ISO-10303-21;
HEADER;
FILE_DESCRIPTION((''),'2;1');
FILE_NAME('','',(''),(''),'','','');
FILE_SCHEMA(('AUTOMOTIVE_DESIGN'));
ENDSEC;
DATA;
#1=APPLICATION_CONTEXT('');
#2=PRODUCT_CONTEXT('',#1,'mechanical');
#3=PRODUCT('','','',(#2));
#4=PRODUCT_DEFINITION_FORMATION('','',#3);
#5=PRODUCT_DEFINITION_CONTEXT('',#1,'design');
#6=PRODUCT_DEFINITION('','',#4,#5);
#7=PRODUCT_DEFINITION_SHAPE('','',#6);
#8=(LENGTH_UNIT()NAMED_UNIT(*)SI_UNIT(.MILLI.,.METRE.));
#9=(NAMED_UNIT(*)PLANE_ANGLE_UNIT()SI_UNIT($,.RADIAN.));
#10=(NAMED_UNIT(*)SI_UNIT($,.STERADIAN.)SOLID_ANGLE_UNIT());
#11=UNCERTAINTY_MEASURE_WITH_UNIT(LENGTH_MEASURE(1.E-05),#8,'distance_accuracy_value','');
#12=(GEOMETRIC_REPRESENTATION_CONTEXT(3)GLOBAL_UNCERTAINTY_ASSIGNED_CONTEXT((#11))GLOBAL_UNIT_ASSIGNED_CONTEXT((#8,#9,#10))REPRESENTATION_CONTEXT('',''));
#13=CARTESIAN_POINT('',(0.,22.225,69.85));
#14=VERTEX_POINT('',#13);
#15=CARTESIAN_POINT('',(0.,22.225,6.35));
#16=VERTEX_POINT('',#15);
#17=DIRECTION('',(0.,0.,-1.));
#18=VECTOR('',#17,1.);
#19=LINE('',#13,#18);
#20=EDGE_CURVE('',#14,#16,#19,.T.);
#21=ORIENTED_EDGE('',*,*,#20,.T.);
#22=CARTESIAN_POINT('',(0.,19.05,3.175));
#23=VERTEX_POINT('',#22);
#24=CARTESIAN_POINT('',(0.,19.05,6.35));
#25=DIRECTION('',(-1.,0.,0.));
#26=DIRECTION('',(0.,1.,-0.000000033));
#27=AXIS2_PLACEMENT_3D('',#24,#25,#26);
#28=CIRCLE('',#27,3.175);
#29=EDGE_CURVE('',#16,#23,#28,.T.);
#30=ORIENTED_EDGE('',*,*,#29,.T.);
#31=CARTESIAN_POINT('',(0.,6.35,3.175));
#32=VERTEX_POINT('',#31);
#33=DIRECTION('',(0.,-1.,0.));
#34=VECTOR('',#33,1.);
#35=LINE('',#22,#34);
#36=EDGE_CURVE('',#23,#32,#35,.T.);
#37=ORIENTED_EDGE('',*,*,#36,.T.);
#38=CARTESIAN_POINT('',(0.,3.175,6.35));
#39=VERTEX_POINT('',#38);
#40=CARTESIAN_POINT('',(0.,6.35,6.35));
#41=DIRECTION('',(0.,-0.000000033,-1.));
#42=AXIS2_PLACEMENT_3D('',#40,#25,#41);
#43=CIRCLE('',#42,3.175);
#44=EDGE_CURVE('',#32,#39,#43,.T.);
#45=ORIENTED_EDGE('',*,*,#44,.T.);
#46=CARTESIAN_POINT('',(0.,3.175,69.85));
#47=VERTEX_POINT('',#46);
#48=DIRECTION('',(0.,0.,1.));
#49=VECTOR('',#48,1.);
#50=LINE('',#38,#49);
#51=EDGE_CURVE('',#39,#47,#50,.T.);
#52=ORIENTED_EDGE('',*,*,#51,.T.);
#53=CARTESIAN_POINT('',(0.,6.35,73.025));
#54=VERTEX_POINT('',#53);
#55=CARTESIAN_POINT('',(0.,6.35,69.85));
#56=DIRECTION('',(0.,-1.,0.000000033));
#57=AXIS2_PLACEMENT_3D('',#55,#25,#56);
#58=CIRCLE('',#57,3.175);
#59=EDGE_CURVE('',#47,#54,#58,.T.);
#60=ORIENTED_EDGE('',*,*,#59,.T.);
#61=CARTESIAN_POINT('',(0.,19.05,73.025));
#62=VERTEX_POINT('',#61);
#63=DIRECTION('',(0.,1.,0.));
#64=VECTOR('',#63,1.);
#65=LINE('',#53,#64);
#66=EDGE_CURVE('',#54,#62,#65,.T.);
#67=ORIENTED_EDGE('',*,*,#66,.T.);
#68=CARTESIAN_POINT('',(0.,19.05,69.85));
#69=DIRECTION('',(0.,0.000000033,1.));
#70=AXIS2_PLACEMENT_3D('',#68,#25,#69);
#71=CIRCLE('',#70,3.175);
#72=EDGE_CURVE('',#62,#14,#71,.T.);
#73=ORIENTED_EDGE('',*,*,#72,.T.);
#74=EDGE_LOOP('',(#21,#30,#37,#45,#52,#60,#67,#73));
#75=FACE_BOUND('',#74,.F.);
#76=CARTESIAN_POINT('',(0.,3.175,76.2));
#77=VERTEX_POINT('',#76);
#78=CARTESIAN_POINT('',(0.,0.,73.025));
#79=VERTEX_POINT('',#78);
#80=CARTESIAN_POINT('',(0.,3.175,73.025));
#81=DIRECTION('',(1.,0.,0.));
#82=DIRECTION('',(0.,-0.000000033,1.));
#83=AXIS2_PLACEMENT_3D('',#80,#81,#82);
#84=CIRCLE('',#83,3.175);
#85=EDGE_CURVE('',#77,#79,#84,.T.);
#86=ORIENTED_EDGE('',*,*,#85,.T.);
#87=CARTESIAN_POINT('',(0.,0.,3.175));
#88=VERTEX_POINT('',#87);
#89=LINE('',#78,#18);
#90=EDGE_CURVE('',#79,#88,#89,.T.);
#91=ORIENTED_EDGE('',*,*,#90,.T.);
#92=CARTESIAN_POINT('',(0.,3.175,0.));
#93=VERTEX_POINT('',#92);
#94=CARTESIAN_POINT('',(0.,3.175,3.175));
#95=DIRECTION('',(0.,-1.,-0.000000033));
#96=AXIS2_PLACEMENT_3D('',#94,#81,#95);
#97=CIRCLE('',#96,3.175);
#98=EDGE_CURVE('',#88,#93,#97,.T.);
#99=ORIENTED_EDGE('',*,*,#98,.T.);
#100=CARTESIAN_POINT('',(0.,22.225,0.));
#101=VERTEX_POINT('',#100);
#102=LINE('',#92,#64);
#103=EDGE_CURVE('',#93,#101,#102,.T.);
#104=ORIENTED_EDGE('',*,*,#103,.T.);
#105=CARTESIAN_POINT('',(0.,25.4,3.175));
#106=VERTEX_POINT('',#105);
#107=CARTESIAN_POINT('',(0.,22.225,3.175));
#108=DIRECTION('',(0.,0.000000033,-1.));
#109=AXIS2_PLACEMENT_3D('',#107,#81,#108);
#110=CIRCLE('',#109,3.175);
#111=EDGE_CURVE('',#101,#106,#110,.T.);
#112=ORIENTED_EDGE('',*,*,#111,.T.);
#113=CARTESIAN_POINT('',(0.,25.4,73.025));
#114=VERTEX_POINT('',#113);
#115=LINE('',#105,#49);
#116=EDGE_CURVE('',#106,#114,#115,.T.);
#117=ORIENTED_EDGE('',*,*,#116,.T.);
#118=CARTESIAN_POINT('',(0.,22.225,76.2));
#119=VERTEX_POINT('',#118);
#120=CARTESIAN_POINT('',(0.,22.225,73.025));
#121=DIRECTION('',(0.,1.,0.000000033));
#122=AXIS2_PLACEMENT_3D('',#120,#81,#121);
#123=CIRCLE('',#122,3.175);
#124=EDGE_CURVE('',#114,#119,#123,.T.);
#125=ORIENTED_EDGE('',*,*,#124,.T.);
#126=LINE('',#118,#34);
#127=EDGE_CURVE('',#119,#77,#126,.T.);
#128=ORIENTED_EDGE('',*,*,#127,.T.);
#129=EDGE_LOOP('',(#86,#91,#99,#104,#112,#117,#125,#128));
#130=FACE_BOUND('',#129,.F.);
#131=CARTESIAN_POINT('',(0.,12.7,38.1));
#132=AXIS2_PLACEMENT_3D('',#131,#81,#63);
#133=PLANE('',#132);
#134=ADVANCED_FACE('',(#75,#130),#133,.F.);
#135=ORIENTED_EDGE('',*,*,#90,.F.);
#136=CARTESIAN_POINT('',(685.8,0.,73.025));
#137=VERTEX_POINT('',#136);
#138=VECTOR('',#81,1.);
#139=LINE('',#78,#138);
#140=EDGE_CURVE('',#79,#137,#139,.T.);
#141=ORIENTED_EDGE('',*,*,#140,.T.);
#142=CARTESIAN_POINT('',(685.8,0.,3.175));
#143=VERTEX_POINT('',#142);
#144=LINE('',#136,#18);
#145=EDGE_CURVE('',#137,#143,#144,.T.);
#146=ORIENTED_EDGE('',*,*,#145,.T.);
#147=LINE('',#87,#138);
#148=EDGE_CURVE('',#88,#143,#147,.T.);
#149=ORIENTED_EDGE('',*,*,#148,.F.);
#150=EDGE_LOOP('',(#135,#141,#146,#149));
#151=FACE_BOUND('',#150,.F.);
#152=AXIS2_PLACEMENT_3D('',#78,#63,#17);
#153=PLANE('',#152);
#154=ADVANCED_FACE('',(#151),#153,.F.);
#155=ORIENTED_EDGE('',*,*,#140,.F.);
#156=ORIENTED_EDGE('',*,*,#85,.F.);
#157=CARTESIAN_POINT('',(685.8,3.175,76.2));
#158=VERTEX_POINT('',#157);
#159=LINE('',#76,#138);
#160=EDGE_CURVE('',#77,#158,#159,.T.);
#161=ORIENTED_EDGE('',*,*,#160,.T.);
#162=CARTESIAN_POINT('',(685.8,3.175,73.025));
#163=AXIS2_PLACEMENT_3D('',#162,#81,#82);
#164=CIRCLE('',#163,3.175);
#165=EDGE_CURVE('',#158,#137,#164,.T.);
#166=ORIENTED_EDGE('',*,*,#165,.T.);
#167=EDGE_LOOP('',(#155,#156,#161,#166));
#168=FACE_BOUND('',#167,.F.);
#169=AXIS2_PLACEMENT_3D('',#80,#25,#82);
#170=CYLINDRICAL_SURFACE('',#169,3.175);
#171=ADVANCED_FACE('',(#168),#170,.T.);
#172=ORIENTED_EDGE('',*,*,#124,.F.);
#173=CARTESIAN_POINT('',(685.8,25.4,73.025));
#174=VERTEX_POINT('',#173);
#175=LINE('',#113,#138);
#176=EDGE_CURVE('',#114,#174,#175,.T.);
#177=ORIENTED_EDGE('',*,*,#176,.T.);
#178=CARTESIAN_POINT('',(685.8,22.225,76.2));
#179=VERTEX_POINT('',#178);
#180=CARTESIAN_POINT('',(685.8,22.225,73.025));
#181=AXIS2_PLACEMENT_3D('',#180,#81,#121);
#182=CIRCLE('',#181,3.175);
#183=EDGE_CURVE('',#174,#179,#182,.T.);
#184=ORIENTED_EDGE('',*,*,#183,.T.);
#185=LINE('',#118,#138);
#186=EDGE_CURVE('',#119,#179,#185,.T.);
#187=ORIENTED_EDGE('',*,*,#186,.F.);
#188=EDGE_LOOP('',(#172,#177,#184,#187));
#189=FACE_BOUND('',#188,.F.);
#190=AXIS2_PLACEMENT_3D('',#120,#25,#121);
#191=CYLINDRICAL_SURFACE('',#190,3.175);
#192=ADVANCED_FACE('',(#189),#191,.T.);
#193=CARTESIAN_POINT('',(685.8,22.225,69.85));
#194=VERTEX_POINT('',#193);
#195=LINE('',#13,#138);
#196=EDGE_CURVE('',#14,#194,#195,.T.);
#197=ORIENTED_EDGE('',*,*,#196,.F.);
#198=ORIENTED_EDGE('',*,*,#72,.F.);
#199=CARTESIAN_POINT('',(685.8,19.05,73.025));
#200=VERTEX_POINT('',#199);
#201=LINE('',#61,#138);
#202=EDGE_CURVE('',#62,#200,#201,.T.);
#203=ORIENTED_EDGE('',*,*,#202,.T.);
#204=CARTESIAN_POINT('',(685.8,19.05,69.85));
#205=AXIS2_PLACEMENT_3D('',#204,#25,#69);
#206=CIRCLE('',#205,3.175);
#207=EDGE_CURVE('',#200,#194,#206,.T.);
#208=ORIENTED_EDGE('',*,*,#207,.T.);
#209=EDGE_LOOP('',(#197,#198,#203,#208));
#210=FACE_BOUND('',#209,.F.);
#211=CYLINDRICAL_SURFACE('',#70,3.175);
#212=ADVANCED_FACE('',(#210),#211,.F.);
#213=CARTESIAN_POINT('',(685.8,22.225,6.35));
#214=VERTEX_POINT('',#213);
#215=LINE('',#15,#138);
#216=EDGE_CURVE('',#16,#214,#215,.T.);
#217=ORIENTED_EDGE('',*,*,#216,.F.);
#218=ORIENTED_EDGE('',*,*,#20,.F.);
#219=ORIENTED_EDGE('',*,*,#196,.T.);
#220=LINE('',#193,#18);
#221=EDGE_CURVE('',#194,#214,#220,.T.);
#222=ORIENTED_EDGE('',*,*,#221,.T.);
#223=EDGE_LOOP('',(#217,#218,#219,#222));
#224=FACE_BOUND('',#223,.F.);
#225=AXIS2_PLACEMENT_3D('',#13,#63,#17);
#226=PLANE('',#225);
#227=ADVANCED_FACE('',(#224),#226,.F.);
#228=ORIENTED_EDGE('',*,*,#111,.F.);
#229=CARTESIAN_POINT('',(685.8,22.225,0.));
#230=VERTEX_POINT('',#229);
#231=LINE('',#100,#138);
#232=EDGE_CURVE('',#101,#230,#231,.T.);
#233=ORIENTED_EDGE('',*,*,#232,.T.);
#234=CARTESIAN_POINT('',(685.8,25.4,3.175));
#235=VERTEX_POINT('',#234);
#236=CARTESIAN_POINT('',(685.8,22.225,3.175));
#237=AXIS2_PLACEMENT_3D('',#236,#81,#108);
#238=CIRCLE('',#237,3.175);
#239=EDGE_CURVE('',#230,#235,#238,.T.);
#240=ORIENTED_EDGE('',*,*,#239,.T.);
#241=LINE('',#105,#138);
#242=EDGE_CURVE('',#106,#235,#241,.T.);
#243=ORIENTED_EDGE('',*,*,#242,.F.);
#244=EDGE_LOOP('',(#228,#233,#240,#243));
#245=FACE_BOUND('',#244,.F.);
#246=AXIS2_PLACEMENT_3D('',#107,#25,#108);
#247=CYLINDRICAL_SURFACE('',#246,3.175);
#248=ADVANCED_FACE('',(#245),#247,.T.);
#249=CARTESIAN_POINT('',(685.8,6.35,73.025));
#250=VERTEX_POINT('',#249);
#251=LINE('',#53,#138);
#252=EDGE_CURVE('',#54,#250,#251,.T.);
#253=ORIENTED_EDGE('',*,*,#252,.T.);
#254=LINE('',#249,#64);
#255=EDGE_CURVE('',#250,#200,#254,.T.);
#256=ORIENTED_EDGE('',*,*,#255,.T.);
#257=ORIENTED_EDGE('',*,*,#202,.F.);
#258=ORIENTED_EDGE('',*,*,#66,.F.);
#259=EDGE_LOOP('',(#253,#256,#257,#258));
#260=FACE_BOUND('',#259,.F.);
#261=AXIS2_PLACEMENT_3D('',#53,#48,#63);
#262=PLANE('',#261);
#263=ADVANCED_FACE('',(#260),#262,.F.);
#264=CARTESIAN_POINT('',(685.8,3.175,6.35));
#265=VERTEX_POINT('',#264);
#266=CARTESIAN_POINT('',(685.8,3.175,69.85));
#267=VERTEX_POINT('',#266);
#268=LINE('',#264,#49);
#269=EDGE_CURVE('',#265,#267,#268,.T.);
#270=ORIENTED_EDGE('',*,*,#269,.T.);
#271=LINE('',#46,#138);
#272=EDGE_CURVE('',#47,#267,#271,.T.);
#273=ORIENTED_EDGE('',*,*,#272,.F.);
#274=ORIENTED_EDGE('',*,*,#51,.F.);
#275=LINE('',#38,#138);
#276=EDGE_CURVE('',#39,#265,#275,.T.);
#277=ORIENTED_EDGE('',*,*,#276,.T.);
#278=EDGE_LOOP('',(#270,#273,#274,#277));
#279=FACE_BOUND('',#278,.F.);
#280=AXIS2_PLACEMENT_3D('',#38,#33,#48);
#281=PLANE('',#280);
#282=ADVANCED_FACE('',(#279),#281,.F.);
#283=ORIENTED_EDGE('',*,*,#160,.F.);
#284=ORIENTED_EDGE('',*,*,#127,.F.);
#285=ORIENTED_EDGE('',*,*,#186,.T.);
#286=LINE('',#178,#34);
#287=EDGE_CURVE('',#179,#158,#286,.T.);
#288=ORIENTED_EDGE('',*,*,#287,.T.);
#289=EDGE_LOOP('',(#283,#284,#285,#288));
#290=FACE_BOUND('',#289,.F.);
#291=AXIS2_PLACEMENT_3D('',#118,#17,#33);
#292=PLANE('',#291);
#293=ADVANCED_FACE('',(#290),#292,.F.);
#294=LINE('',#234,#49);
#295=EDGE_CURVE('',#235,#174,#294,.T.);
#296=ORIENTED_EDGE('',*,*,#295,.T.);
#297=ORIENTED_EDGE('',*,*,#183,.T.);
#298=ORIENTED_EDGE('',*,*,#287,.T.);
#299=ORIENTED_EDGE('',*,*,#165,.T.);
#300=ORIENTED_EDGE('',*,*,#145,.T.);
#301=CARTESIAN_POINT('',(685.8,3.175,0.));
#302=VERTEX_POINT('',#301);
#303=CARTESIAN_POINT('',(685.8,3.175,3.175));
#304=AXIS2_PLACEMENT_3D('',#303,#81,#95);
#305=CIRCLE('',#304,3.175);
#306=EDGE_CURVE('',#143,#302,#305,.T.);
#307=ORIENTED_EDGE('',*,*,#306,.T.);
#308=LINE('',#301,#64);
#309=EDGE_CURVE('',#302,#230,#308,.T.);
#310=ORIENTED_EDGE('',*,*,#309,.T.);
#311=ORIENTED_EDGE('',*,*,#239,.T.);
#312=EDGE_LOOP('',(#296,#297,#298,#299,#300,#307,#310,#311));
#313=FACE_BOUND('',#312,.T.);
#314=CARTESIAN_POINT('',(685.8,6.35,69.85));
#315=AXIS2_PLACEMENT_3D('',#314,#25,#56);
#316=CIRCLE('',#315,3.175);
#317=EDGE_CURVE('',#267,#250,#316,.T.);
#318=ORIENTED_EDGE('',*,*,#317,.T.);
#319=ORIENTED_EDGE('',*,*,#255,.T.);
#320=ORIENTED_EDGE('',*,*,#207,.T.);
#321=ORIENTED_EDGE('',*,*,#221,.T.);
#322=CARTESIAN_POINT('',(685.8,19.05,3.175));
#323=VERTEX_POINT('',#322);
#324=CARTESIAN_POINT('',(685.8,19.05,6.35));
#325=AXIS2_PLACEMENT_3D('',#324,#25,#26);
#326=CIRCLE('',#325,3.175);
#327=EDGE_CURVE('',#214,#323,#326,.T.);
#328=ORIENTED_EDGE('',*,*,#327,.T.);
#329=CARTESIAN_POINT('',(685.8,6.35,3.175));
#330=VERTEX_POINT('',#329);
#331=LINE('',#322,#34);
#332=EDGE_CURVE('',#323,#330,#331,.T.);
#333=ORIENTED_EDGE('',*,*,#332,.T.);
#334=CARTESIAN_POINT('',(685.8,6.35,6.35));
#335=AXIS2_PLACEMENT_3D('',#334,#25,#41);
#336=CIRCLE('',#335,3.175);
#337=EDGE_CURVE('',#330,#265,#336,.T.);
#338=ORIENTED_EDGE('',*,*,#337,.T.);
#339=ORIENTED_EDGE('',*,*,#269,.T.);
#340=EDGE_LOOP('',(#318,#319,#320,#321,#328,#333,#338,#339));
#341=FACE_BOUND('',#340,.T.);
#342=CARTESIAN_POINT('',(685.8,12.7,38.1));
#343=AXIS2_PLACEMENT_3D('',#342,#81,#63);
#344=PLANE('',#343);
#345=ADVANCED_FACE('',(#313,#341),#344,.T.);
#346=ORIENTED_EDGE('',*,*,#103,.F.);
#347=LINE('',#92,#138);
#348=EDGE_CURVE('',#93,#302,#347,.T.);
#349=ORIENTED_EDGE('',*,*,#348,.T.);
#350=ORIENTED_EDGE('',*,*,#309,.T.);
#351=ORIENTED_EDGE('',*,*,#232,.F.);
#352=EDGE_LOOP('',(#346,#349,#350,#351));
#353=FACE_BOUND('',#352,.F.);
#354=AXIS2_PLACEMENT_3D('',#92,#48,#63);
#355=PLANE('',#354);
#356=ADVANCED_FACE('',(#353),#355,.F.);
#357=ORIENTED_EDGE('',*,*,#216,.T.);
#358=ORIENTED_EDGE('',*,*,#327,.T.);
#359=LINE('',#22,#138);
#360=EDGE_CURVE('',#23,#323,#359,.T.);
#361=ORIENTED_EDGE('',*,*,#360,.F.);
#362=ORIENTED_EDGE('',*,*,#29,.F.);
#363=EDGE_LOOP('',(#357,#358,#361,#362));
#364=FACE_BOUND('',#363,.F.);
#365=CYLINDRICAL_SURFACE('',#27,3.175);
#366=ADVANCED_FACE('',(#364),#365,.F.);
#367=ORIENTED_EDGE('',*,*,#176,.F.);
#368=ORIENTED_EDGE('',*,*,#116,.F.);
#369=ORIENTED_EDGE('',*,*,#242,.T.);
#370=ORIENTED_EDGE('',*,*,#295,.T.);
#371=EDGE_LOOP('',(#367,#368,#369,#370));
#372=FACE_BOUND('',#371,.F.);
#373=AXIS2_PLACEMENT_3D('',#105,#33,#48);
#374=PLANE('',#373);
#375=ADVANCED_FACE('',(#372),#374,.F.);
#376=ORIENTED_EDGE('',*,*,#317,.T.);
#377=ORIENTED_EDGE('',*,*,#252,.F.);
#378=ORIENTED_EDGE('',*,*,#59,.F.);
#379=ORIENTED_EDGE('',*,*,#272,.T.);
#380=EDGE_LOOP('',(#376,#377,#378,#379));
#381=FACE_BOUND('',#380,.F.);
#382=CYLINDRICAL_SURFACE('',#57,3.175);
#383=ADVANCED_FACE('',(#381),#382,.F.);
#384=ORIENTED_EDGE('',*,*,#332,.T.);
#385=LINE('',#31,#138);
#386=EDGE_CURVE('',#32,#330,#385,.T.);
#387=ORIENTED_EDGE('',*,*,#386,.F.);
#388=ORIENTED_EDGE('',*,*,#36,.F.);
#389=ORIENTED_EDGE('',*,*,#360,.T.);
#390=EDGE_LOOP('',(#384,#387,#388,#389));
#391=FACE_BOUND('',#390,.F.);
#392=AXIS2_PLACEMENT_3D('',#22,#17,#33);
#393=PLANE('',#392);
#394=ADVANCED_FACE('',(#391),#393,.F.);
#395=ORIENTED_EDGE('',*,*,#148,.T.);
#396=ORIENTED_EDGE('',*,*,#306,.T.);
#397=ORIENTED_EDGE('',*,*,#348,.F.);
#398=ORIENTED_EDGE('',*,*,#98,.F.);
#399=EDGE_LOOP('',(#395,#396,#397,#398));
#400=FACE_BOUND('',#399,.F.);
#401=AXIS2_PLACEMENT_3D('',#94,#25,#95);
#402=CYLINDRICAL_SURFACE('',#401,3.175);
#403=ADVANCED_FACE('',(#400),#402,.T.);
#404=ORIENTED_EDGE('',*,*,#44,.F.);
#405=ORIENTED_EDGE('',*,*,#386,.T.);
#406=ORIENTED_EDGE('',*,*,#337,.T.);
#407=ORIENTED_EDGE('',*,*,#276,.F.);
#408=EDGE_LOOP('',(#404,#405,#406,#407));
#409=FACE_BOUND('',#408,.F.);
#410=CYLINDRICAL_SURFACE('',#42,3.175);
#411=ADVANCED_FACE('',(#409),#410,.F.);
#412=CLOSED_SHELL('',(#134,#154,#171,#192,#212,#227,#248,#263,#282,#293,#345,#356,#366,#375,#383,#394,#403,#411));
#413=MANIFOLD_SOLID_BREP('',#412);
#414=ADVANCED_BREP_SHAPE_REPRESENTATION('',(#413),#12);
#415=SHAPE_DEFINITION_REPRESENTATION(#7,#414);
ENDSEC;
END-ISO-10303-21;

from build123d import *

# Parameters (mm, degrees)
F1_DEPTH = 685.8


with BuildPart() as f1:
    # F0 (on Right) → F1 (new body)
    with BuildSketch(Plane.YZ):
        with BuildLine():
            ThreePointArc((0, 3.175), (0.929936, 0.929936), (3.175, 0))
            Line((3.175, 0), (22.225, 0))
            ThreePointArc((22.225, 0), (24.470064, 0.929936), (25.4, 3.175))
            Line((25.4, 3.175), (25.4, 73.025))
            ThreePointArc((25.4, 73.025), (24.470064, 75.270064), (22.225, 76.2))
            Line((22.225, 76.2), (3.175, 76.2))
            ThreePointArc((3.175, 76.2), (0.929936, 75.270064), (0, 73.025))
            Line((0, 73.025), (0, 3.175))
        make_face()
        with BuildLine():
            Line((19.05, 3.175), (6.35, 3.175))
            ThreePointArc((6.35, 3.175), (4.104936, 4.104936), (3.175, 6.35))
            Line((3.175, 6.35), (3.175, 69.85))
            ThreePointArc((3.175, 69.85), (4.104936, 72.095064), (6.35, 73.025))
            Line((6.35, 73.025), (19.05, 73.025))
            ThreePointArc((19.05, 73.025), (21.295064, 72.095064), (22.225, 69.85))
            Line((22.225, 69.85), (22.225, 6.35))
            ThreePointArc((22.225, 6.35), (21.295064, 4.104936), (19.05, 3.175))
        make_face(mode=Mode.SUBTRACT)
    extrude(amount=F1_DEPTH)


solid = f1.part
